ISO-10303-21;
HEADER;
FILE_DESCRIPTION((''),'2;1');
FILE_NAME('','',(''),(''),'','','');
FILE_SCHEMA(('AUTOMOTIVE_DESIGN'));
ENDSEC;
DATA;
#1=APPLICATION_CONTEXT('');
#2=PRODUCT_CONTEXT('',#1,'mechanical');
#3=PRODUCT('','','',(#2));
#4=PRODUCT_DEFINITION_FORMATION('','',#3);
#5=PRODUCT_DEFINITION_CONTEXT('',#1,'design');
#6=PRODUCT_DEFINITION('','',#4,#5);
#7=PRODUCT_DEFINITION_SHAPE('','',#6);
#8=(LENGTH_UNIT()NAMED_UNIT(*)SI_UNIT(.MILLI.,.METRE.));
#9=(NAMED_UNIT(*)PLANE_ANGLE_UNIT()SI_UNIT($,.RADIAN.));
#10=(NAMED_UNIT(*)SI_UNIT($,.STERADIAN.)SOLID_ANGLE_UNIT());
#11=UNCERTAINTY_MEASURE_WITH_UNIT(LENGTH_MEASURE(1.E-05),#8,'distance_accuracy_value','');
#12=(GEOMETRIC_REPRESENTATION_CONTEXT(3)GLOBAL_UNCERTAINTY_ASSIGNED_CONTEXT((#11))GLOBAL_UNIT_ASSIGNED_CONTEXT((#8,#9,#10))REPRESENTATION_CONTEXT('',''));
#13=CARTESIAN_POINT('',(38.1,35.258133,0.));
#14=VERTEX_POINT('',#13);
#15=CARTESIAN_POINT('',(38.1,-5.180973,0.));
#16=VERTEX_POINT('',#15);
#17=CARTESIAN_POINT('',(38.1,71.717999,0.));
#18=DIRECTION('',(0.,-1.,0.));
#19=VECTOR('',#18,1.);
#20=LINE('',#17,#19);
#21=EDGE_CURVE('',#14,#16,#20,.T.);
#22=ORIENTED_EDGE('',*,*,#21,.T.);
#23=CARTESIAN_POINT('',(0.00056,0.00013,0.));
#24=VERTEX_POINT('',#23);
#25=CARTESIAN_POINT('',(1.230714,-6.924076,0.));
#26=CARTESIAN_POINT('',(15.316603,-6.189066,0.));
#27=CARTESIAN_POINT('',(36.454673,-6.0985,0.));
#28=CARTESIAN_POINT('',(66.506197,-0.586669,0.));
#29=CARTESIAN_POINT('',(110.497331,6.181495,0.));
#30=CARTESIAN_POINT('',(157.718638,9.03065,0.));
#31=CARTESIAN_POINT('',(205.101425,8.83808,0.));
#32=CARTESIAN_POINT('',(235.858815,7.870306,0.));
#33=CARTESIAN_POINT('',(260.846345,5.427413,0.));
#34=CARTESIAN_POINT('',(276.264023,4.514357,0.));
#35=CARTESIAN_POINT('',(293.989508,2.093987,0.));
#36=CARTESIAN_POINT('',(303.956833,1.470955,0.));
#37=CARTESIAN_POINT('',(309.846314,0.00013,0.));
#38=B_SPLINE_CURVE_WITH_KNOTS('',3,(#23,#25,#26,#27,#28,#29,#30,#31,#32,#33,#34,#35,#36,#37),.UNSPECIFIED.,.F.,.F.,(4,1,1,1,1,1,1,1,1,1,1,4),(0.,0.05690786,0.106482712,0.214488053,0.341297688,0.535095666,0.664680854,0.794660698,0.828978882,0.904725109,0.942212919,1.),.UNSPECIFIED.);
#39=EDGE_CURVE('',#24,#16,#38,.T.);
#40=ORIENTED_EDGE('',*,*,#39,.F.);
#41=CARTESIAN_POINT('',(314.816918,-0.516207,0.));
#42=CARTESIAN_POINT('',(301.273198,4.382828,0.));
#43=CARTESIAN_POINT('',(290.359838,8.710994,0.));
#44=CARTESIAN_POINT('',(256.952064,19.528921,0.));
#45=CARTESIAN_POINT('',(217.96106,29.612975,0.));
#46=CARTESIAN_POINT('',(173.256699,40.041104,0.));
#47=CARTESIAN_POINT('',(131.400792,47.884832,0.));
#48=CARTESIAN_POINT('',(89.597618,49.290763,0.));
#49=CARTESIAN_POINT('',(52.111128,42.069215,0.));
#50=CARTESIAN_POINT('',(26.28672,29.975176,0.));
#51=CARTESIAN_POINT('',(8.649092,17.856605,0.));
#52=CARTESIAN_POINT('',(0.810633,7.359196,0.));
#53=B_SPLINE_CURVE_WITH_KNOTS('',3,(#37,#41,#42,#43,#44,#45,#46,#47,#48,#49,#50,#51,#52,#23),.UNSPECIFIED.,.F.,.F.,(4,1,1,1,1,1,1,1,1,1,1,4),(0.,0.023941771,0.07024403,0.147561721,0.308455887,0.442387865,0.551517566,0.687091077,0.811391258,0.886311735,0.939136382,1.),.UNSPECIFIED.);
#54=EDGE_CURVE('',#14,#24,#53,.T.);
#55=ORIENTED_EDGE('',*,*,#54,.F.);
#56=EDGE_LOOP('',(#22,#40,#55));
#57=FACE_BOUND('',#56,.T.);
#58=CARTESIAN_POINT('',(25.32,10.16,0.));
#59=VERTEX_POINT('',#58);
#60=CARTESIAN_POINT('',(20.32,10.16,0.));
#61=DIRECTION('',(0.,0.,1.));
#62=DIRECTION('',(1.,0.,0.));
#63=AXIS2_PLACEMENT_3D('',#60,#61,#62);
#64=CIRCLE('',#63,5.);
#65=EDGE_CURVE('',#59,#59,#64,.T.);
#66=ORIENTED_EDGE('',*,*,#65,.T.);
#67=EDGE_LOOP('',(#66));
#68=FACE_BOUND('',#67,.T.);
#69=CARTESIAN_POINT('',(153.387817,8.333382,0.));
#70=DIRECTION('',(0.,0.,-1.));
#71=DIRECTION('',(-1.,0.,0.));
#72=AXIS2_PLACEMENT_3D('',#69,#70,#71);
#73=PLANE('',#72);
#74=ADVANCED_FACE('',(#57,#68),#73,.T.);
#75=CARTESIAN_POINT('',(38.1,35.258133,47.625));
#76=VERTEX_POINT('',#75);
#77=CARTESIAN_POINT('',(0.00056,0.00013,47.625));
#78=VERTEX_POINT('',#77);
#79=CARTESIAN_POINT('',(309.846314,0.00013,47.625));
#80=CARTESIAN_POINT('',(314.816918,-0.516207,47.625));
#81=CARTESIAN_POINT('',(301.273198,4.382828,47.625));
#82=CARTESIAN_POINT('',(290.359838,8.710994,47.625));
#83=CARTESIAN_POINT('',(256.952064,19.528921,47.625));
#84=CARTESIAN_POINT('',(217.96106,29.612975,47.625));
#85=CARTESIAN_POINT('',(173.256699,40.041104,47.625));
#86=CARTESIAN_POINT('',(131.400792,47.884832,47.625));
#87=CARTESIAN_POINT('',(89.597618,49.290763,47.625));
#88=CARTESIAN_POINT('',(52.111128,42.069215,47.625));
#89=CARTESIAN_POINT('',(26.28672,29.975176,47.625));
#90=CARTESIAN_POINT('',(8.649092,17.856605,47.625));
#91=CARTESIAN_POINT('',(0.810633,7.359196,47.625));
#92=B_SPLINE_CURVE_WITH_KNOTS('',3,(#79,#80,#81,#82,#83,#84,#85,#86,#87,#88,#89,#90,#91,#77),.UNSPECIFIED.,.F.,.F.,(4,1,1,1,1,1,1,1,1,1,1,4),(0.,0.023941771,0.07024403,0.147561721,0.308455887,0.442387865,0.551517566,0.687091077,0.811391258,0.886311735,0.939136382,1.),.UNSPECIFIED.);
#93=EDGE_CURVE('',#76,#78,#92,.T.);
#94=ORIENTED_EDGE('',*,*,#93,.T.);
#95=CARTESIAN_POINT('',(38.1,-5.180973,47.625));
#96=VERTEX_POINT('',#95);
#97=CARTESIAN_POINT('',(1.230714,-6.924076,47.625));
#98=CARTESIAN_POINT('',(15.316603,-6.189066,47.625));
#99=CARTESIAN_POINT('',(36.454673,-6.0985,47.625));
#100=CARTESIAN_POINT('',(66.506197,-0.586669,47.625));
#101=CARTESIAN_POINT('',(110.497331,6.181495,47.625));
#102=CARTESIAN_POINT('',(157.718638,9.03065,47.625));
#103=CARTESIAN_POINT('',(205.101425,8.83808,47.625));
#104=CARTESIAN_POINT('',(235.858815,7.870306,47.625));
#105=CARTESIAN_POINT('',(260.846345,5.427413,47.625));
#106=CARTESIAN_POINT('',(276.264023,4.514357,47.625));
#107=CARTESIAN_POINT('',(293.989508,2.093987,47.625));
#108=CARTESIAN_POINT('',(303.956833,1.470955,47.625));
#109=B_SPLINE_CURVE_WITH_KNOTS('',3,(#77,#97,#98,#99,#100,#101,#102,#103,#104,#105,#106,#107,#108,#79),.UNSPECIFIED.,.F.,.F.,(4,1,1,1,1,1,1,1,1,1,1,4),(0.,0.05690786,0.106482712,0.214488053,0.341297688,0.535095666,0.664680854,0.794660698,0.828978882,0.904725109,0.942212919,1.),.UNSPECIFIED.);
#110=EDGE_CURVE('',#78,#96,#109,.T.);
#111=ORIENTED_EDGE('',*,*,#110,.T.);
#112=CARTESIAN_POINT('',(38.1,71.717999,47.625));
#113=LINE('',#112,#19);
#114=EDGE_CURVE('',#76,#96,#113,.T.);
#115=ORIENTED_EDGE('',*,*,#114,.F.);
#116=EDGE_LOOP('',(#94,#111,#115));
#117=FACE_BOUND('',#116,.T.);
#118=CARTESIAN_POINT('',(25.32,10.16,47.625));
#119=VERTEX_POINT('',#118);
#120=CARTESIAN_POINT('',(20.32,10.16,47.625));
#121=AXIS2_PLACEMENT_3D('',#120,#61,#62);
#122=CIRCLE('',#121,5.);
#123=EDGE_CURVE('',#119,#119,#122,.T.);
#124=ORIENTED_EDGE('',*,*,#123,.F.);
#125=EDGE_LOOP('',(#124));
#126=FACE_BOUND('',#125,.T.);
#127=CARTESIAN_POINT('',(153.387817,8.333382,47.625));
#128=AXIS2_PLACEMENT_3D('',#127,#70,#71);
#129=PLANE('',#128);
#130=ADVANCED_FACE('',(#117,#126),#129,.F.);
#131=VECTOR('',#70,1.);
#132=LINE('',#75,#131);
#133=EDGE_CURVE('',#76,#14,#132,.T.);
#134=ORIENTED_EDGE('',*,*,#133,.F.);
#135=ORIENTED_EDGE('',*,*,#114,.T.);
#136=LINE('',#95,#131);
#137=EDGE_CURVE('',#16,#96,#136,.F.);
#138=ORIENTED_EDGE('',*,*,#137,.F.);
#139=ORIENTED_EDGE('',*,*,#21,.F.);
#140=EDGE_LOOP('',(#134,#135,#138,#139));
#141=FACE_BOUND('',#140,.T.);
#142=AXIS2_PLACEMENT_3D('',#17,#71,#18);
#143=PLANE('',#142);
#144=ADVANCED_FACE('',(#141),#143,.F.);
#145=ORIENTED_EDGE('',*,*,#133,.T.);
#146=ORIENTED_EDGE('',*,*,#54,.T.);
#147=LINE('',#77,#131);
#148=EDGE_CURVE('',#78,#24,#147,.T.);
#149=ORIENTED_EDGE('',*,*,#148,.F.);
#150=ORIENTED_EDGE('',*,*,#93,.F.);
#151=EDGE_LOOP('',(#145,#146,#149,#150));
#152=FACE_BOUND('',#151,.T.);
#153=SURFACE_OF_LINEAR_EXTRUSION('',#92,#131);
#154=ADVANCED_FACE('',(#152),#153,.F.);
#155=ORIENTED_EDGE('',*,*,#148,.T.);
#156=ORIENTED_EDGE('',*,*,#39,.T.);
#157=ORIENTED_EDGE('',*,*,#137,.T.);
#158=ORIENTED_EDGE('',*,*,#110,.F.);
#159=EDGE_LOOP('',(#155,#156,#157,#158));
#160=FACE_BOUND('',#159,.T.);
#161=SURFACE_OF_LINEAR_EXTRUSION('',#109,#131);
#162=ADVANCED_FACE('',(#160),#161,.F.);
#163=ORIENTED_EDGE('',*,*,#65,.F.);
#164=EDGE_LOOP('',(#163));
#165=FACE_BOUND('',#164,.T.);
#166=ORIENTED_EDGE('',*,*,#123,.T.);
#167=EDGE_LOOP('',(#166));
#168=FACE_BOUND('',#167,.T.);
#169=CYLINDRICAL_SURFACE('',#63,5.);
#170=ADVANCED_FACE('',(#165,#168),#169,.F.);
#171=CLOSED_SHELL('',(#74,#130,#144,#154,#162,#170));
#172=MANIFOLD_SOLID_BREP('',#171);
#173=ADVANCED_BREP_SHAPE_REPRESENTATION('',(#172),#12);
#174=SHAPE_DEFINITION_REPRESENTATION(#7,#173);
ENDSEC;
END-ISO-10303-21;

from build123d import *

# Parameters (mm, degrees)
BOSS_EXTRUDE1_DEPTH = 47.625
SKETCH2_R           = 5
SKETCH2_R_2         = 3.175
CUT_EXTRUDE1_DEPTH  = 320.299711675
SKETCH3_W           = 293.188888759
SKETCH3_H           = 137.971241769
CUT_EXTRUDE2_DEPTH  = 320.299711675


with BuildPart() as part:
    # Sketch1 → Boss-Extrude1 (new body)
    with BuildSketch(Plane.XY):
        with BuildLine():
            add(Edge.make_bspline(
                [(0.000560351, 0.000130087), (0.810633127, 7.359196055), (8.649092025, 17.856605174), (26.286719818, 29.975176328), (52.111128271, 42.069215275), (89.597618475, 49.290763054), (131.400792109, 47.884831915), (173.256699242, 40.041104278), (217.961060472, 29.612974894), (256.952064401, 19.528920948), (290.35983767, 8.71099439), (301.273197721, 4.382828139), (314.816918223, -0.516206742), (309.846313895, 0.000130087)],
                knots=[0, 0, 0, 0, 0.060863618, 0.113688265, 0.188608742, 0.312908923, 0.448482434, 0.557612135, 0.691544113, 0.852438279, 0.92975597, 0.976058229, 1, 1, 1, 1], degree=3))
            add(Edge.make_bspline(
                [(309.846313895, 0.000130087), (303.956832565, 1.47095521), (293.989507544, 2.093987313), (276.26402299, 4.514356704), (260.846344817, 5.427413394), (235.858814759, 7.870306192), (205.101424636, 8.838080282), (157.718638092, 9.030650149), (110.497331172, 6.181495223), (66.506197185, -0.586669107), (36.454672816, -6.098499901), (15.316603331, -6.189065841), (1.230714189, -6.924076091), (0.000560351, 0.000130087)],
                knots=[0, 0, 0, 0, 0.057787081, 0.095274891, 0.171021118, 0.205339302, 0.335319146, 0.464904334, 0.658702312, 0.785511947, 0.893517288, 0.94309214, 1, 1, 1, 1], degree=3))
        make_face()
    extrude(amount=BOSS_EXTRUDE1_DEPTH)

    # Sketch2 → Cut-Extrude1 (cut, through all)
    with BuildSketch(Plane.XY.offset(47.625)):
        with Locations((20.32, 10.16)):
            Circle(SKETCH2_R)
        with Locations((227.296313895, 19.050130087)):
            Circle(SKETCH2_R_2)
    extrude(amount=-CUT_EXTRUDE1_DEPTH, mode=Mode.SUBTRACT)

    # Sketch3 → Cut-Extrude2 (cut, through all)
    with BuildSketch(Plane.XY.offset(47.625)):
        with Locations((184.69444438, 2.732377951)):
            Rectangle(SKETCH3_W, SKETCH3_H)
    extrude(amount=-CUT_EXTRUDE2_DEPTH, mode=Mode.SUBTRACT)


solid = part.part
